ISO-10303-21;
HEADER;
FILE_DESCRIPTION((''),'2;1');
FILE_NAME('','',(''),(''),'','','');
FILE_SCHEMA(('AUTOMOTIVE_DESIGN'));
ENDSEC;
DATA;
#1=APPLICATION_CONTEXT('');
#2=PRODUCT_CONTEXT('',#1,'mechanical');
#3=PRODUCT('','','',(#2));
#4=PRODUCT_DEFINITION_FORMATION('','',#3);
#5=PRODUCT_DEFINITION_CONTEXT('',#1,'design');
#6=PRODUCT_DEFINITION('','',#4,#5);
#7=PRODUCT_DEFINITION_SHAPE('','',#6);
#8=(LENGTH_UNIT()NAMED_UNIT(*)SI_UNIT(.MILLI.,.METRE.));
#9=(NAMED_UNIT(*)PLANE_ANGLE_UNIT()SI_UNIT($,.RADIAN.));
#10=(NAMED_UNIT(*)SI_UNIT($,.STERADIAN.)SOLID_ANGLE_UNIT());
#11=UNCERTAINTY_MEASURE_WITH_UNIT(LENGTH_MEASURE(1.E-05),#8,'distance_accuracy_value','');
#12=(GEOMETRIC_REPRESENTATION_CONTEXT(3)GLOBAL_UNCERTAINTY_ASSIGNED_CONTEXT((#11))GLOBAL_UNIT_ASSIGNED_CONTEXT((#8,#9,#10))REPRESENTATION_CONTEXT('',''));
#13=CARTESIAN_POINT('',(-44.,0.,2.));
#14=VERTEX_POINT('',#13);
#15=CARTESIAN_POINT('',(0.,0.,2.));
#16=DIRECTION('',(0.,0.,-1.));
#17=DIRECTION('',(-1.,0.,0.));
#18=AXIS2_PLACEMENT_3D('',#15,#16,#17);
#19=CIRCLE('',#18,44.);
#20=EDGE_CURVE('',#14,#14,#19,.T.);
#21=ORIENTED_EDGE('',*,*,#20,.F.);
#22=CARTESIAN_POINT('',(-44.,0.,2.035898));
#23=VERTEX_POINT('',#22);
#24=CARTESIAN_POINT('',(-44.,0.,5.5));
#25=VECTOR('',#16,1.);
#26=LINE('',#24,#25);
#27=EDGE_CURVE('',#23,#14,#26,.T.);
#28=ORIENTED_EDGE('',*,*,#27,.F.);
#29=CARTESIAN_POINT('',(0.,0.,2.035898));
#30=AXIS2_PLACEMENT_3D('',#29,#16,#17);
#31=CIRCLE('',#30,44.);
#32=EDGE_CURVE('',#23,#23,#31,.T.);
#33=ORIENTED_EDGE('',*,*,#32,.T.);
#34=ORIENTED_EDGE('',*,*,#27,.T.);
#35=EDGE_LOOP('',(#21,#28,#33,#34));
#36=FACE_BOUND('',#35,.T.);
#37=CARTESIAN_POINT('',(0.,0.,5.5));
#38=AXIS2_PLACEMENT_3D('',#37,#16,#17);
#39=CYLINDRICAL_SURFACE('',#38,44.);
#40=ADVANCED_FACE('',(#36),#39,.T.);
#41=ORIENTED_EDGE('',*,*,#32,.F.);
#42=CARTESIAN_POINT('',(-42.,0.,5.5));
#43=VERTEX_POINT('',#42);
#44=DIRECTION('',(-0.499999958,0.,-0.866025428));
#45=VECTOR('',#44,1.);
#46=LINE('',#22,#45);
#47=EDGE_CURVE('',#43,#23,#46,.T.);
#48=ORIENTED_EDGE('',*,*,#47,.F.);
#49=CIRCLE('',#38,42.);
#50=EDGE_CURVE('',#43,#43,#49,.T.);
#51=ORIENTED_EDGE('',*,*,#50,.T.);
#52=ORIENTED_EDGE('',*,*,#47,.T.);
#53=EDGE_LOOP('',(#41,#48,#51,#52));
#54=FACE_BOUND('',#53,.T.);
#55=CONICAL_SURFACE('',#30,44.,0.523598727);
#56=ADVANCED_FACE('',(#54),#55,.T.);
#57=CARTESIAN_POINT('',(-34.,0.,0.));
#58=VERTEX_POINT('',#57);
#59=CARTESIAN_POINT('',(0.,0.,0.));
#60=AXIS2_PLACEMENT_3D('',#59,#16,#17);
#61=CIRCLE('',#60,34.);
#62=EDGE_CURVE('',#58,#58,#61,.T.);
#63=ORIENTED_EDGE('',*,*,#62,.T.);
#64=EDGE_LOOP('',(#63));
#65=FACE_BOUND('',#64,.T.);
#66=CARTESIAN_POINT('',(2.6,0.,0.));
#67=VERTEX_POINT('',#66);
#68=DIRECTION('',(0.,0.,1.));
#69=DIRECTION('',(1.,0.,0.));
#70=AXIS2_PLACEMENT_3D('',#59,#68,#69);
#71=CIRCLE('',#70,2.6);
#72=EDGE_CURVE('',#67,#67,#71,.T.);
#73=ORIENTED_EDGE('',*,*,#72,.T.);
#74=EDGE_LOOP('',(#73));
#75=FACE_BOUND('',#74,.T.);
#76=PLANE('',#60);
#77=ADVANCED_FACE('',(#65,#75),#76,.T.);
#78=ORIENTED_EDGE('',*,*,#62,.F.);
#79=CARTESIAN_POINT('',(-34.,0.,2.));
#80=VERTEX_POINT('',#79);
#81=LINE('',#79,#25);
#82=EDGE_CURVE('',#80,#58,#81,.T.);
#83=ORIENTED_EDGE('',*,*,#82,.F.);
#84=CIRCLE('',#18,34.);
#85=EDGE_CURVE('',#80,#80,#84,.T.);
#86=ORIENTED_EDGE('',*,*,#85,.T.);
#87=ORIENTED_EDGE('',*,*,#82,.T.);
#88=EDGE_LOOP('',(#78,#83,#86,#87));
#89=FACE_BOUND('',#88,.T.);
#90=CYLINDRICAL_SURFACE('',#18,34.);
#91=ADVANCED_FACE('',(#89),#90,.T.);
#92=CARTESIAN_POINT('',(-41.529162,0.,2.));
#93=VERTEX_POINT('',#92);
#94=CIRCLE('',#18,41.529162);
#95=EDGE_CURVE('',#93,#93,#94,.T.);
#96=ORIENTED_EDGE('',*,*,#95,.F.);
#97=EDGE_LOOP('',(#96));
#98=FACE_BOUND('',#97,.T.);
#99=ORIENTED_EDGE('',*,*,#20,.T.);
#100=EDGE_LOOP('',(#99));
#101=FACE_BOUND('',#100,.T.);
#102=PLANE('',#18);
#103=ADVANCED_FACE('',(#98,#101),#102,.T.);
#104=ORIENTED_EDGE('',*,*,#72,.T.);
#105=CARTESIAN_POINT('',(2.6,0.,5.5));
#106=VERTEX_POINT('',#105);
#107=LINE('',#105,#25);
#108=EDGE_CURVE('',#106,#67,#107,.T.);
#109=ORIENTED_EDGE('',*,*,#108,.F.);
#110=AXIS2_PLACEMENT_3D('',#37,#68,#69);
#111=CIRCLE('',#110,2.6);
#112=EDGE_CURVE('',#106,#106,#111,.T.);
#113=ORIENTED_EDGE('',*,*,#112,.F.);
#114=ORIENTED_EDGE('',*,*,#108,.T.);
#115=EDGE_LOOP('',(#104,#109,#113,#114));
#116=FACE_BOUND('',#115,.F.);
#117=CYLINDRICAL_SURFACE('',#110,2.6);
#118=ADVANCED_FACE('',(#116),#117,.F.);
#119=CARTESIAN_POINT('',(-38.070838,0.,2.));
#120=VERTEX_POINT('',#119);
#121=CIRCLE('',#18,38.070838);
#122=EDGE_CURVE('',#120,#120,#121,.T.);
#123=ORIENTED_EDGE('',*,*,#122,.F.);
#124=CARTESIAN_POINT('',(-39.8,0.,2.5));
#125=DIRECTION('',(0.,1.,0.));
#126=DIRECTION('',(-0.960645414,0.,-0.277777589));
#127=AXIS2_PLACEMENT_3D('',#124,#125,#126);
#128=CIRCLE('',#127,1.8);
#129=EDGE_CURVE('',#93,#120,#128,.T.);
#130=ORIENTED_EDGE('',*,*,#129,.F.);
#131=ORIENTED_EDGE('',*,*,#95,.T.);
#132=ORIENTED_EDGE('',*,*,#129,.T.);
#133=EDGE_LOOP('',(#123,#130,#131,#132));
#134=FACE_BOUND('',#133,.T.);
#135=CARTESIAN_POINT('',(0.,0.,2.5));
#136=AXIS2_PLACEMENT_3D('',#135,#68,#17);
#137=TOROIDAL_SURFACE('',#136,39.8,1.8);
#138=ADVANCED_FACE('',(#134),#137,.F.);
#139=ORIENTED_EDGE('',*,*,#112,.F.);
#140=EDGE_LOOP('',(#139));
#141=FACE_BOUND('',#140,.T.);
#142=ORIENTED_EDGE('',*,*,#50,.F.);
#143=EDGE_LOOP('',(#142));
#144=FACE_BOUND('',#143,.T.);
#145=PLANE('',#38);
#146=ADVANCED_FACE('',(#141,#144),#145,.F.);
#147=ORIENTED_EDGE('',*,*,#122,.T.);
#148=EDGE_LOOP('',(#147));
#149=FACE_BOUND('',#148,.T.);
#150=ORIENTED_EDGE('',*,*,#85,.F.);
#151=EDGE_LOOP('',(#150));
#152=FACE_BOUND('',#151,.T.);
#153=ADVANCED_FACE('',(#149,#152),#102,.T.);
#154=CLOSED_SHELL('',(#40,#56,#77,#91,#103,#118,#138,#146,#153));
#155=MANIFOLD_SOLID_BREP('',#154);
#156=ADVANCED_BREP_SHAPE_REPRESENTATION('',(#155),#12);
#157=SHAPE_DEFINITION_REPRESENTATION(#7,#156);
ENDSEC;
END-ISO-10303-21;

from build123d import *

# Parameters (mm, degrees)
F2_R     = 2.6
F3_DEPTH = 5.501
F4_SIZE2 = 3.464102
F4_SIZE  = 2


with BuildPart() as f1:
    # F0 (on Front) → F1 (revolve)
    with BuildSketch(Plane.XZ):
        with BuildLine():
            Line((-34, 0), (0, 0))
            Line((0, 0), (0, 5.5))
            Line((0, 5.5), (-44, 5.5))
            Line((-44, 5.5), (-44, 2))
            Line((-44, 2), (-41.529162, 2))
            ThreePointArc((-41.529162, 2), (-39.8, 4.3), (-38.070838, 2))
            Line((-38.070838, 2), (-34, 2))
            Line((-34, 2), (-34, 0))
        make_face()
    revolve(axis=Axis((0, 0, 2.75), (0, 0, -1)))

    # F2 (on face) → F3 (cut, through all)
    with BuildSketch(Plane.XY.offset(5.5)):
        Circle(F2_R)
    extrude(amount=-F3_DEPTH, mode=Mode.SUBTRACT)

    # F4
    f4_edges = [f1.edges().sort_by_distance(p)[0] for p in [
        (44, 0, 5.5),
    ]]
    chamfer(f4_edges, length=F4_SIZE, length2=F4_SIZE2)


solid = f1.part
